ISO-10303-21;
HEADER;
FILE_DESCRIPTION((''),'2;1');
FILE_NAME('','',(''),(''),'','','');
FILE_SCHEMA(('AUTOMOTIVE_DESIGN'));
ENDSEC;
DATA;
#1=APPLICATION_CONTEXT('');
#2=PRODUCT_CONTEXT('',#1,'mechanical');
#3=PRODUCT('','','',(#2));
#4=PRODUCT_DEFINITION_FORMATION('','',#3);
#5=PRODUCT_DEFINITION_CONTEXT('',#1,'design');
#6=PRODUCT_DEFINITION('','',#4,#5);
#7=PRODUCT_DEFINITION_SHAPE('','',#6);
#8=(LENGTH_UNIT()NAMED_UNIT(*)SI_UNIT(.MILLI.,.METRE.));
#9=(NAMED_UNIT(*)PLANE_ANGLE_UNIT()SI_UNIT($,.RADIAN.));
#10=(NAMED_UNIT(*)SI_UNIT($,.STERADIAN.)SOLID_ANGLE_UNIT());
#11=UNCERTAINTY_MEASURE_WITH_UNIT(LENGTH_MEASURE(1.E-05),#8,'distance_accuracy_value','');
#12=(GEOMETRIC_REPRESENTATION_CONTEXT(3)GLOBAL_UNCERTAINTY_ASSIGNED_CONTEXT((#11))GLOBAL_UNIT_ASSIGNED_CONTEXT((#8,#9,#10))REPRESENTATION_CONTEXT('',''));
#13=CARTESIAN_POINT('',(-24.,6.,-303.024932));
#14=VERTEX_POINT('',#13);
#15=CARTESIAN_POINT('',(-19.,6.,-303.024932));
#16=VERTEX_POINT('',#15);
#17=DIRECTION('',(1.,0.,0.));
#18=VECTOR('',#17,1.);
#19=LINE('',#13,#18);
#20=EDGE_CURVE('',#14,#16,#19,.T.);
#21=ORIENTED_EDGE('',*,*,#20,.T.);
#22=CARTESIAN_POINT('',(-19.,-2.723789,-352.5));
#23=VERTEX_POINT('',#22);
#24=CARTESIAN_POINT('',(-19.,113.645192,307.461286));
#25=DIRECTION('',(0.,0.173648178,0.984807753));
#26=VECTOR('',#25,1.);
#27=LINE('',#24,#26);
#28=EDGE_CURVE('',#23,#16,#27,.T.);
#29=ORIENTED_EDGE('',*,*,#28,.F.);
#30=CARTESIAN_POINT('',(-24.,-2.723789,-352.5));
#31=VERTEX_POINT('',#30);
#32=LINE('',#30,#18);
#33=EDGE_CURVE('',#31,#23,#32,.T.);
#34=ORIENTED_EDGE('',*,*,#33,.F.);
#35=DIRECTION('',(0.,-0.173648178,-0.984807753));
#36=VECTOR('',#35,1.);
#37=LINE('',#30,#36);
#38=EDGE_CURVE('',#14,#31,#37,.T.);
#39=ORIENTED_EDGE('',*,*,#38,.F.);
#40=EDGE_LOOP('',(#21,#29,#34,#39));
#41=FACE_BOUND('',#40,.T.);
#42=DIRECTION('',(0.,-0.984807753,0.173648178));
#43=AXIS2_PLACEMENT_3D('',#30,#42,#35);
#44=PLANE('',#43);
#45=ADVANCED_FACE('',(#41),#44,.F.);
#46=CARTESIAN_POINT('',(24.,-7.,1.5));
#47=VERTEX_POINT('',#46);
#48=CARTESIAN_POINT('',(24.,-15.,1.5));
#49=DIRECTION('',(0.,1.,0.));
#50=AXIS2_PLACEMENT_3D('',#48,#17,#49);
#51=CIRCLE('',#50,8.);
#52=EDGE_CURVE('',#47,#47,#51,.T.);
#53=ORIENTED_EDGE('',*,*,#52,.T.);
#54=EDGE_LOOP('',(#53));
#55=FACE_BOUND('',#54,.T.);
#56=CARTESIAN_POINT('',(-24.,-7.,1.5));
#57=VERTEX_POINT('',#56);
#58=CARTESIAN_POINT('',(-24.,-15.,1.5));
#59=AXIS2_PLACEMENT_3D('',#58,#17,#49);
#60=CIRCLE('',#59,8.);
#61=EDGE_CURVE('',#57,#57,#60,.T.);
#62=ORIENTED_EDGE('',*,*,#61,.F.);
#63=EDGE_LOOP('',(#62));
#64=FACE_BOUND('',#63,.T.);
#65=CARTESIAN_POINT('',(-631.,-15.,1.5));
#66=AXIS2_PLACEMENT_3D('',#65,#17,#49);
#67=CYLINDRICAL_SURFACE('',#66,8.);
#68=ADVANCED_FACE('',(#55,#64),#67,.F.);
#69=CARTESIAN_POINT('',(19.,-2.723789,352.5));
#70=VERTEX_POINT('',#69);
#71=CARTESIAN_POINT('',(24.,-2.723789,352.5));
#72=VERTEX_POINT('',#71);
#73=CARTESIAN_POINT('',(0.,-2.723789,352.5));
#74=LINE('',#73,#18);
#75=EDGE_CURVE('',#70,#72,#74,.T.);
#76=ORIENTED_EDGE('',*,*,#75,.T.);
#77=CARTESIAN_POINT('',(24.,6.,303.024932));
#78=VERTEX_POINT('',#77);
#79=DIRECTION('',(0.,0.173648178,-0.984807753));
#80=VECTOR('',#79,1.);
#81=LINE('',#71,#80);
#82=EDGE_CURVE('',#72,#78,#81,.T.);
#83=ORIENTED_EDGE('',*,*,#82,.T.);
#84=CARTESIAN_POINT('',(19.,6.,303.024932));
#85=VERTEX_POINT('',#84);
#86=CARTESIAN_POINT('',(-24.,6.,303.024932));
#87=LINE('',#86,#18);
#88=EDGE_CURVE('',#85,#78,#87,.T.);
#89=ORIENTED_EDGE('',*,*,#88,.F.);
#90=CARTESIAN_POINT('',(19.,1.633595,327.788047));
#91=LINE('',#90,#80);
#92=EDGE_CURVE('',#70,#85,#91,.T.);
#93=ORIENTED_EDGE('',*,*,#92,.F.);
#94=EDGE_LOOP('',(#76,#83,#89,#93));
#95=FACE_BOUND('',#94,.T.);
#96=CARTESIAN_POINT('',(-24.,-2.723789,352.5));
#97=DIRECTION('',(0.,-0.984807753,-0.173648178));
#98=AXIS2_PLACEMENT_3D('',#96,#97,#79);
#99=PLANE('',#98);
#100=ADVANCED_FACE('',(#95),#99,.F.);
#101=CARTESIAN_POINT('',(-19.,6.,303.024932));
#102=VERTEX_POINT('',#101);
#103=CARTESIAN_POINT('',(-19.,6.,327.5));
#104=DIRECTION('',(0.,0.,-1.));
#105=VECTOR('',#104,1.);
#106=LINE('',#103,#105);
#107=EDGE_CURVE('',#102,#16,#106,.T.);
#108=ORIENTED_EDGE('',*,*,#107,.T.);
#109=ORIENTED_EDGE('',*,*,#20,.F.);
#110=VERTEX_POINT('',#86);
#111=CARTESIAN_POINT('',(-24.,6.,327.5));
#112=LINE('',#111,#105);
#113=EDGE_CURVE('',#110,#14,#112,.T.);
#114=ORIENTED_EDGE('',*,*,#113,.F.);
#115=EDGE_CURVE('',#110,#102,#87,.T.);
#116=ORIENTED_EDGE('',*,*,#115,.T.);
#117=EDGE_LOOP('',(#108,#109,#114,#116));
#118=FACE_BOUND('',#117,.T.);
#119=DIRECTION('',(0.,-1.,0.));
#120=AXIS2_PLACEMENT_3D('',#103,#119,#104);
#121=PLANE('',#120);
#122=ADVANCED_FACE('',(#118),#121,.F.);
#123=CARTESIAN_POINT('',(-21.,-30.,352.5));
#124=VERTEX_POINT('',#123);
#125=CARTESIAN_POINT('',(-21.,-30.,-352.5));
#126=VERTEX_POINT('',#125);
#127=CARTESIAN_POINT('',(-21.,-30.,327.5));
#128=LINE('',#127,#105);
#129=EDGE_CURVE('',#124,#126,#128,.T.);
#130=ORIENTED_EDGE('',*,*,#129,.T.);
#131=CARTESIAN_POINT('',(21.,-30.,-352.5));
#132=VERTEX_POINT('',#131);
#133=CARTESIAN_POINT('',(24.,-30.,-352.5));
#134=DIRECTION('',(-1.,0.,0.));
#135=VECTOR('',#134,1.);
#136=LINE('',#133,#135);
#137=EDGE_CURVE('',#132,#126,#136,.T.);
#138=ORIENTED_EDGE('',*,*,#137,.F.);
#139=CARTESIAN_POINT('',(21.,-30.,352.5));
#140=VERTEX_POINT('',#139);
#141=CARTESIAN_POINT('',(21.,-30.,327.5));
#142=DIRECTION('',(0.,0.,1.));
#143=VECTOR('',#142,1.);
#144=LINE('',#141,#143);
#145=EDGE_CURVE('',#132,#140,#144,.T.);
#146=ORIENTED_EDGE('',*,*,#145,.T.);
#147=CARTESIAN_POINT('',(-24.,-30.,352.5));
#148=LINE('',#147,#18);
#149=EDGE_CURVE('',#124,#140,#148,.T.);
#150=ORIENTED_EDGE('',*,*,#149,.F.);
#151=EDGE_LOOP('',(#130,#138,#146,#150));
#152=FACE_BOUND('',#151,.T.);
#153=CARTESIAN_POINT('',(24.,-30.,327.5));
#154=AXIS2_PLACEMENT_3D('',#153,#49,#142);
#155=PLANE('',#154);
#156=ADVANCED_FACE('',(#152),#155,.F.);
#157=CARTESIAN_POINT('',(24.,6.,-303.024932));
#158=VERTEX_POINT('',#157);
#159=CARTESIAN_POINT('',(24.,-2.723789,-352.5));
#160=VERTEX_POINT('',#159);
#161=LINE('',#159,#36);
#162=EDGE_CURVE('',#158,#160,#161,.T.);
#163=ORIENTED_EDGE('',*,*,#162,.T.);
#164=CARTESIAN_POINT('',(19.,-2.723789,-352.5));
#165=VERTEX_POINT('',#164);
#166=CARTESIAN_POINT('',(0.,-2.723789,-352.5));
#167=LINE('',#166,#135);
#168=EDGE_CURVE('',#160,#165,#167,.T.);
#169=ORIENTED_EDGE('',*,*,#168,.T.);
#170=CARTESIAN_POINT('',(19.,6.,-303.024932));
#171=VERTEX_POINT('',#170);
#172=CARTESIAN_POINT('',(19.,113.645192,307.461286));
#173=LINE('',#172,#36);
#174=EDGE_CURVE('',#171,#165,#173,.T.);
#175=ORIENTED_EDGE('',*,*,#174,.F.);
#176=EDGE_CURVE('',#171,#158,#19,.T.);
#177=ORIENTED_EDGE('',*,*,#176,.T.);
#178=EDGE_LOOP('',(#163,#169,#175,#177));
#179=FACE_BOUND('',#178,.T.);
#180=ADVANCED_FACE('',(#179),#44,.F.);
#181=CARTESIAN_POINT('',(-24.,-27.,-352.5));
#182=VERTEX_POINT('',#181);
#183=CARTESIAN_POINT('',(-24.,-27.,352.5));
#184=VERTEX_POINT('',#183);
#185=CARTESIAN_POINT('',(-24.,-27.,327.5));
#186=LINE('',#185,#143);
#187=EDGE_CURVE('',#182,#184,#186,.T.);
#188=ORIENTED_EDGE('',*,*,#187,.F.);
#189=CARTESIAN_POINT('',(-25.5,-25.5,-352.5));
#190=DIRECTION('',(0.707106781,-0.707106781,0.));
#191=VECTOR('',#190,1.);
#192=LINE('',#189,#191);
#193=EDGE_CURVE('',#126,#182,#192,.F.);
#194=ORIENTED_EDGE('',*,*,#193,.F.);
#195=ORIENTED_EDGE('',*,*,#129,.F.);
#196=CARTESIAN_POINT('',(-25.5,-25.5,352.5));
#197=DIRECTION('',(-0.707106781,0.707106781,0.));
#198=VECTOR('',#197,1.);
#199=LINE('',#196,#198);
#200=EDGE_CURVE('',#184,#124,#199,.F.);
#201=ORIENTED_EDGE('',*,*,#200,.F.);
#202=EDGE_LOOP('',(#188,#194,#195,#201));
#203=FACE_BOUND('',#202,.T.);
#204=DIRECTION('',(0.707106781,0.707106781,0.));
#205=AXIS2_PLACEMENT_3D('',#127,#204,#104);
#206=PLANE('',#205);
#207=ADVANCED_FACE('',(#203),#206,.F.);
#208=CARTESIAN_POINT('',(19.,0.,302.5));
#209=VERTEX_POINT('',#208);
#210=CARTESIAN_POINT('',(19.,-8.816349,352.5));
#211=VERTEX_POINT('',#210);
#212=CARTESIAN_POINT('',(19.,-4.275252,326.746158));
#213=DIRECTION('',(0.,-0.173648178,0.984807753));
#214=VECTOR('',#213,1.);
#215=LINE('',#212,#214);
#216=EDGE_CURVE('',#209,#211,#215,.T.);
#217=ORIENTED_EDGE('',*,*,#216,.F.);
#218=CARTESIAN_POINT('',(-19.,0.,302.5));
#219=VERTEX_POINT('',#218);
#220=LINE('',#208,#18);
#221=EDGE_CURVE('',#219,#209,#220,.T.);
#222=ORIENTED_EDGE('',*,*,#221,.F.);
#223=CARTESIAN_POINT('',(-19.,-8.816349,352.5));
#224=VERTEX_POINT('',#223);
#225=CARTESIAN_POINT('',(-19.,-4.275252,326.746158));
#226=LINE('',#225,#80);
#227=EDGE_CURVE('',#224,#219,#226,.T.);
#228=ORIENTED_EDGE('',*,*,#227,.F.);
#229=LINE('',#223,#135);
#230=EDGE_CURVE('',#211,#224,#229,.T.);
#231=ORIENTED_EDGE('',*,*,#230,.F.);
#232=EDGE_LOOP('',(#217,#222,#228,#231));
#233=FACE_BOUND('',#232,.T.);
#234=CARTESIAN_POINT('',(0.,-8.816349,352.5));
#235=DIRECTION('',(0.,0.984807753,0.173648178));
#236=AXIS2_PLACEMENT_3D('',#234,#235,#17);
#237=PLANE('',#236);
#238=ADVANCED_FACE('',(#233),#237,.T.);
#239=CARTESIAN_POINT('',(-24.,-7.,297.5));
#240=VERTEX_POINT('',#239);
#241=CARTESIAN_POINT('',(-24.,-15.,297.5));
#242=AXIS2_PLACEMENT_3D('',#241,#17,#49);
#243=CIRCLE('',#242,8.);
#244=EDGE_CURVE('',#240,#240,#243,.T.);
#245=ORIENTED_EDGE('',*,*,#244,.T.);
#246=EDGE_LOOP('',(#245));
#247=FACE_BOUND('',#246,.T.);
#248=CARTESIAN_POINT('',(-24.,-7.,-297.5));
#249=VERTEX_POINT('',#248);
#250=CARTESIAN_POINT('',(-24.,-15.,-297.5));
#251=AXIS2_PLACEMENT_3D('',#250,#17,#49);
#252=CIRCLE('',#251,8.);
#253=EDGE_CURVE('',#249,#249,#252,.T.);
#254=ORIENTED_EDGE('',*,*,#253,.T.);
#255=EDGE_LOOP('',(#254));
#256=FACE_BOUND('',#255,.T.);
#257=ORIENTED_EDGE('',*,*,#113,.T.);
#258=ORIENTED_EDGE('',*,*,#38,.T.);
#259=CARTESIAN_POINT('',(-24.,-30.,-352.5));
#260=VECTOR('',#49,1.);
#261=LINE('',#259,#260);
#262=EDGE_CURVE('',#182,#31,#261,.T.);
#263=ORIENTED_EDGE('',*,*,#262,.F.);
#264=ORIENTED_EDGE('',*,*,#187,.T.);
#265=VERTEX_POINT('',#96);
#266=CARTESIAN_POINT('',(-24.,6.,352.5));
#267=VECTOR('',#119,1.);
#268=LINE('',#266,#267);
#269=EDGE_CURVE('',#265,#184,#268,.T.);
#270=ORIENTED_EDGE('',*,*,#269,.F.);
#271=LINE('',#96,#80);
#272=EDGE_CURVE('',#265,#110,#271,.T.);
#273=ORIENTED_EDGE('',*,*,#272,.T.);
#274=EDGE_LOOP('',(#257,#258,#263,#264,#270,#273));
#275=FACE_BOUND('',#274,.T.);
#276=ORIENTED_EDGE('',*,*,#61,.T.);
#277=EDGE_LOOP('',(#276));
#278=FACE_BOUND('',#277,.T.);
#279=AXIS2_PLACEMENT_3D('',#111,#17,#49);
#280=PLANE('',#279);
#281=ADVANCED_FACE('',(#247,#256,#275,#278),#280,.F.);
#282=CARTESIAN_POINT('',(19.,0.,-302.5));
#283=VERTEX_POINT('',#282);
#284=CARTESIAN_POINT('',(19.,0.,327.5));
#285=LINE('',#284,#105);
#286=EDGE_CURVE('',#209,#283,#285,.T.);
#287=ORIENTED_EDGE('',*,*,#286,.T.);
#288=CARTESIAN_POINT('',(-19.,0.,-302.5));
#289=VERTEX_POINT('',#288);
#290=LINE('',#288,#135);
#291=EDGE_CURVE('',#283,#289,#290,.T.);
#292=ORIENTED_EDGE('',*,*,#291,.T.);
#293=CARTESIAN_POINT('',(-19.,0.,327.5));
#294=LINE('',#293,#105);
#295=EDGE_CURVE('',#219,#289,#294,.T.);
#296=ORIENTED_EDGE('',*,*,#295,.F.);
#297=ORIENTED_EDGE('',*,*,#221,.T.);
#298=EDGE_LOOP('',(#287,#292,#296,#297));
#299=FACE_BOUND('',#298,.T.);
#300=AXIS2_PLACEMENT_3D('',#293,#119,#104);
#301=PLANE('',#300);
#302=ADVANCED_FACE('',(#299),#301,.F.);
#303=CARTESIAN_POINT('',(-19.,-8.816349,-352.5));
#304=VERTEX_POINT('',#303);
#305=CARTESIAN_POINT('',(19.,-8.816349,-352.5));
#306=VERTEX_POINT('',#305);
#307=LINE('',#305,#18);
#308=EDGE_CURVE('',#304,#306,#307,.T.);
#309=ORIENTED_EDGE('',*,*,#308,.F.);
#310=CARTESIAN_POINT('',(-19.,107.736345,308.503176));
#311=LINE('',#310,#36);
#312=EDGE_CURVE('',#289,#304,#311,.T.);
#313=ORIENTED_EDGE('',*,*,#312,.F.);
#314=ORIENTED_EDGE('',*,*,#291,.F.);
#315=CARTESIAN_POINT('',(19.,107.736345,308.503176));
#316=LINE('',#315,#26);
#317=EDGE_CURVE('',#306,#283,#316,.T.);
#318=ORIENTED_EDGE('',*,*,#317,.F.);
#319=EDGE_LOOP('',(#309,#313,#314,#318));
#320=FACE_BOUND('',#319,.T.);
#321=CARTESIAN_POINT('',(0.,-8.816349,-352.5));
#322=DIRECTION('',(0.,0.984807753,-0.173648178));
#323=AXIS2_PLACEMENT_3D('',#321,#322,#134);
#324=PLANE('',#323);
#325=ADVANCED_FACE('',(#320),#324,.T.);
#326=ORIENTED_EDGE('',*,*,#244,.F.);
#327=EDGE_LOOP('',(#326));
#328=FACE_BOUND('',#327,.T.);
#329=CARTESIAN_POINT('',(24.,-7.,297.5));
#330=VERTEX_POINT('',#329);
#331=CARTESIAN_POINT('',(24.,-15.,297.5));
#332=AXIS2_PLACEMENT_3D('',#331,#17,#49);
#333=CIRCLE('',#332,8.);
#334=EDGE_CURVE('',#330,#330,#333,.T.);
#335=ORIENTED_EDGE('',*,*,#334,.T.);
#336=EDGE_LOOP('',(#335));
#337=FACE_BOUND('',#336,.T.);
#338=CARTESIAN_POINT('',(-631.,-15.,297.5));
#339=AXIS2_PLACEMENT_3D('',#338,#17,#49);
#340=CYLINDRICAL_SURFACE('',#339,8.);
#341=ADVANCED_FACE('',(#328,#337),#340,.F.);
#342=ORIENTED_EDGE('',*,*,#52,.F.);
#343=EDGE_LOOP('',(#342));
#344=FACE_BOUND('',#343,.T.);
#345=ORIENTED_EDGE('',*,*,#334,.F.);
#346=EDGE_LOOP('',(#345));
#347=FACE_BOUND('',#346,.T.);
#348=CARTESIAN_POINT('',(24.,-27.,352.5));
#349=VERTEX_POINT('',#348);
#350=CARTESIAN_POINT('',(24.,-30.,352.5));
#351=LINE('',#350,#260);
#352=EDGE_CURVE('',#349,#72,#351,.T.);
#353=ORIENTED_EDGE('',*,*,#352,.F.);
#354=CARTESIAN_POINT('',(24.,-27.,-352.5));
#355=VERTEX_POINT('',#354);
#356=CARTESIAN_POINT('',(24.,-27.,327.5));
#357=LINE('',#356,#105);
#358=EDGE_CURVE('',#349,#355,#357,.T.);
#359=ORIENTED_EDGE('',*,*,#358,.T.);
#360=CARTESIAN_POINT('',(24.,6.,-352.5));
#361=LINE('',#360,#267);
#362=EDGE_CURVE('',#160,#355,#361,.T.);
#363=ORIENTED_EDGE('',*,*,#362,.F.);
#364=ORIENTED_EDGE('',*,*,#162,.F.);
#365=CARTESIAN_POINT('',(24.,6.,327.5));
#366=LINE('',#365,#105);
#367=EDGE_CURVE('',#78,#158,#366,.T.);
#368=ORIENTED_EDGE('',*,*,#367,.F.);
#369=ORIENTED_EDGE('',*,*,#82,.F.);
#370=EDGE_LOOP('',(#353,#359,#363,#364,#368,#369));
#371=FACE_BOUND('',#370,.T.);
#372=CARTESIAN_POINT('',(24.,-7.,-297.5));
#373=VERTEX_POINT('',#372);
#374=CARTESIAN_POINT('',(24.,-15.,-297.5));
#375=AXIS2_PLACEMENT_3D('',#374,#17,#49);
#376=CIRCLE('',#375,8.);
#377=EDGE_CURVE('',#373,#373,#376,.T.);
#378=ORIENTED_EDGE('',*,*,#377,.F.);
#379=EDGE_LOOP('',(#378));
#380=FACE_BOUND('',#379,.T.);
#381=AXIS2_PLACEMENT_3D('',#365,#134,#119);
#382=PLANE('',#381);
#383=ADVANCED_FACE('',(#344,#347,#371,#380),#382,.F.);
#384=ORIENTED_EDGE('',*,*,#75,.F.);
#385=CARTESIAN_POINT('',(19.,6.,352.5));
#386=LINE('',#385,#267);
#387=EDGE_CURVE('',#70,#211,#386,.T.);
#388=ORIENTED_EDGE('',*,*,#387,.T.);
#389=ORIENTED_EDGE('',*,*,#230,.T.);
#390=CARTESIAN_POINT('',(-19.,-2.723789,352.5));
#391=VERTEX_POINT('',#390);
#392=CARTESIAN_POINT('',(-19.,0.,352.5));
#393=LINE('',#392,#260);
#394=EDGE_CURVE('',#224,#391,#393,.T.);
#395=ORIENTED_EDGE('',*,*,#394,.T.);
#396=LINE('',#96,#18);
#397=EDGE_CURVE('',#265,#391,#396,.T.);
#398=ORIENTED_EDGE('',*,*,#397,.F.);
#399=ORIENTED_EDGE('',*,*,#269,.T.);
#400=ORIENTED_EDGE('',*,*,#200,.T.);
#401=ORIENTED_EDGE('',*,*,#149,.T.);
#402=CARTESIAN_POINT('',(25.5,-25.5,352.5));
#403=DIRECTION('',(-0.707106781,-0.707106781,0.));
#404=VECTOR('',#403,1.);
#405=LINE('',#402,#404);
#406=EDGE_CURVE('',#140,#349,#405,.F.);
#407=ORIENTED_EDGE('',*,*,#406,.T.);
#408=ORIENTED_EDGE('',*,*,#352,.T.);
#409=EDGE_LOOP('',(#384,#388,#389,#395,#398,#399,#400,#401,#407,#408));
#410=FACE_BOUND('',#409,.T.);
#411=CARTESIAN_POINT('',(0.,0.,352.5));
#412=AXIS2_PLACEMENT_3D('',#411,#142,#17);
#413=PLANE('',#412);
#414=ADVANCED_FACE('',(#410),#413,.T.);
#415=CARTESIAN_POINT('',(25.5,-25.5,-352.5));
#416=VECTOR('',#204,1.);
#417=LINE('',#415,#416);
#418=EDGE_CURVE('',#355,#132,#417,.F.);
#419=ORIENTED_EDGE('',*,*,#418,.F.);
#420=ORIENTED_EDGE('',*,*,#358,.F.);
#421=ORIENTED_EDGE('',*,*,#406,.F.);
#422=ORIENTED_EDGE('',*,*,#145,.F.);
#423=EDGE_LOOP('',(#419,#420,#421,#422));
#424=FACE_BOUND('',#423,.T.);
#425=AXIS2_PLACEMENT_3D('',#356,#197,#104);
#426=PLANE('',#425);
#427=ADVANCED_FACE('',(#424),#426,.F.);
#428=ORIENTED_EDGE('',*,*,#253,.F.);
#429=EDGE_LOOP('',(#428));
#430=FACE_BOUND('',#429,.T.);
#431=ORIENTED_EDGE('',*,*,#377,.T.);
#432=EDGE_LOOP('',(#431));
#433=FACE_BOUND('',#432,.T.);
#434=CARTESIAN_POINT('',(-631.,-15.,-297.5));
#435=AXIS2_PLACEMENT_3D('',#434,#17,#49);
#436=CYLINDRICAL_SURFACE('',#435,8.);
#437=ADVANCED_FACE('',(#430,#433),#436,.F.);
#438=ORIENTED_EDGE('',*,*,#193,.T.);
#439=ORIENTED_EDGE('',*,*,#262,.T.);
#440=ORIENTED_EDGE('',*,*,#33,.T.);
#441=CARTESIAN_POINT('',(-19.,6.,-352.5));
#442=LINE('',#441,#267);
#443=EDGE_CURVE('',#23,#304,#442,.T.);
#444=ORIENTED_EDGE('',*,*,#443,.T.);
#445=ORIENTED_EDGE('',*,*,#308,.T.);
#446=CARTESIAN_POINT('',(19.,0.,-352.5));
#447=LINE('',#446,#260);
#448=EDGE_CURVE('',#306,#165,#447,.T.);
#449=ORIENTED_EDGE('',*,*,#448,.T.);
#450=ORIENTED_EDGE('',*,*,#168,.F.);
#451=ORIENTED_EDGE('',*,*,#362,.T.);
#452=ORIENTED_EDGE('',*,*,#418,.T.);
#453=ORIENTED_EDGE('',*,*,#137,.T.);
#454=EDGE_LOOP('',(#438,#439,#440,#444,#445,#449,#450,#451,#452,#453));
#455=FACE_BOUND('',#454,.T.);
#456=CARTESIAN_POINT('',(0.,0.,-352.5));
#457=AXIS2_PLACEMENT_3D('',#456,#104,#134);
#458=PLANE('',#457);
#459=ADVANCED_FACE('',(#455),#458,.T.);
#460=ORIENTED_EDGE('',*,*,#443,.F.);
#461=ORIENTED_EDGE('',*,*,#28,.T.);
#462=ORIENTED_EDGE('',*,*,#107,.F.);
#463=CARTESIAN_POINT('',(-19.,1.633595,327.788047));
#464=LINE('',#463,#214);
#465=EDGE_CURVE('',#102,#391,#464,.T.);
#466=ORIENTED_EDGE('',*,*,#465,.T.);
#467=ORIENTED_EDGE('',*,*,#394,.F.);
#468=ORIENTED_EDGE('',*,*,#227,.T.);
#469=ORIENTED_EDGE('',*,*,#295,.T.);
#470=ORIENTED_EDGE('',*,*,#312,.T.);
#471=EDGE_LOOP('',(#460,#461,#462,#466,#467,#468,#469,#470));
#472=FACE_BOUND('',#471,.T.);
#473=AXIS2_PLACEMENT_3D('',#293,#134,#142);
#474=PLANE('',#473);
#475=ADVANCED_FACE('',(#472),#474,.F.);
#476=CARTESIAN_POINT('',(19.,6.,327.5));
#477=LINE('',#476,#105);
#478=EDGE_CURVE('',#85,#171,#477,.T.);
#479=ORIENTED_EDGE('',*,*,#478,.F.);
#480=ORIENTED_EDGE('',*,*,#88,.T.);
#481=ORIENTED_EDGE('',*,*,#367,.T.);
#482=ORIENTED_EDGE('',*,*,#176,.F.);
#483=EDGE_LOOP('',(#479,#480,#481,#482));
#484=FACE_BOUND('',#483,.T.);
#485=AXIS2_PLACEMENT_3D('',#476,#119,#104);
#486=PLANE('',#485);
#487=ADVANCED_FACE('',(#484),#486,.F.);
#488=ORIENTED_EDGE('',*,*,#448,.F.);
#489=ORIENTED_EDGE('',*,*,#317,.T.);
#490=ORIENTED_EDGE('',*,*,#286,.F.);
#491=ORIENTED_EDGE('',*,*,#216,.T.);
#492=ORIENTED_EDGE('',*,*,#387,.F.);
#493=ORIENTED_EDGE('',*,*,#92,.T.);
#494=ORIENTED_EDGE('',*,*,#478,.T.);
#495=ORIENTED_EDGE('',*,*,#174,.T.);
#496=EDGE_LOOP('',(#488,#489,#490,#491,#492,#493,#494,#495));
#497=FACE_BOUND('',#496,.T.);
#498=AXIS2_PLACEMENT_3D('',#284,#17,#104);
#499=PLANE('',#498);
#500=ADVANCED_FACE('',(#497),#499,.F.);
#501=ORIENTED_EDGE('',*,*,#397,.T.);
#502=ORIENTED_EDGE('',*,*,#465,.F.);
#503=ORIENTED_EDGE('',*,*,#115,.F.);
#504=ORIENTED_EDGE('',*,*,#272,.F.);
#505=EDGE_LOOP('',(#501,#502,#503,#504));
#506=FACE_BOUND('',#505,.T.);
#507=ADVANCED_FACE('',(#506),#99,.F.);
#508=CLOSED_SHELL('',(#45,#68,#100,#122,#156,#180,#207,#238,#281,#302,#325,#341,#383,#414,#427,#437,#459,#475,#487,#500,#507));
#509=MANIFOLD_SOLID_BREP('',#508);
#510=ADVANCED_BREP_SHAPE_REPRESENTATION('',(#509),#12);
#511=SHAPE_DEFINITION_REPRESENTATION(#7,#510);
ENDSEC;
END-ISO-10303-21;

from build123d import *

# Parameters (mm, degrees)
RESSALTO_EXTRUS_O1_DEPTH = 327.5
ESBO_O2_R                = 8
CORTE_EXTRUS_O1_DEPTH    = 655
RESSALTO_EXTRUS_O2_DEPTH = 25
RESSALTO_EXTRUS_O3_DEPTH = 25
CHANFRO1_SIZE            = 50
CHANFRO1_SIZE2           = 8.816349035
CORTE_EXTRUS_O2_START    = -48
CORTE_EXTRUS_O2_DEPTH    = 48
CHANFRO2_SIZE            = 3


with BuildPart() as part:
    # Esboço1 → Ressalto-extrusão1 (new, symmetric)
    with BuildSketch(Plane.XY):
        Polygon((-19, 0), (19, 0), (19, 6), (24, 6), (24, -30), (-24, -30), (-24, 6), (-19, 6), align=None)
    extrude(amount=RESSALTO_EXTRUS_O1_DEPTH, both=True)

    # Esboço2 → Corte-extrusão1 (cut)
    with BuildSketch(Plane(origin=(24, 0, 0), x_dir=(0, 0, -1), z_dir=(1, 0, 0))):
        with Locations(Location((-297.5, -15, 0), (0, 0, 90))):
            Circle(ESBO_O2_R)
        with Locations(Location((297.5, -15, 0), (0, 0, 90))):
            Circle(ESBO_O2_R)
        with Locations(Location((-1.5, -15, 0), (0, 0, 90))):
            Circle(ESBO_O2_R)
    extrude(amount=-CORTE_EXTRUS_O1_DEPTH, mode=Mode.SUBTRACT)

    # Esboço3 → Ressalto-extrusão2 (add)
    with BuildSketch(Plane.XY.offset(327.5)):
        Polygon((-24, 6), (-24, -30), (24, -30), (24, 6), (19, 6), (19, 0), (-19, 0), (-19, 6), align=None)
    extrude(amount=RESSALTO_EXTRUS_O2_DEPTH)

    # Esboço4 → Ressalto-extrusão3 (add)
    with BuildSketch(Plane(origin=(0, 0, -327.5), x_dir=(-1, 0, 0), z_dir=(0, 0, -1))):
        Polygon((24, -30), (24, 6), (19, 6), (19, 0), (-19, 0), (-19, 6), (-24, 6), (-24, -30), align=None)
    extrude(amount=RESSALTO_EXTRUS_O3_DEPTH)

    # Chanfro1
    chanfro1_edges = [part.edges().sort_by_distance(p)[0] for p in [
        (0, 0, 352.5),
        (0, 0, -352.5),
    ]]
    chanfro1_side = [part.faces().sort_by_distance(p)[0] for p in [
        (0, 0, 0),
    ]]
    chamfer(chanfro1_edges, length=CHANFRO1_SIZE, length2=CHANFRO1_SIZE2, reference=chanfro1_side[0])

    # Esboço5 → Corte-extrusão2 (cut)
    with BuildSketch(Plane(origin=(24, 0, 0), x_dir=(0, 0, -1), z_dir=(1, 0, 0)).offset(CORTE_EXTRUS_O2_START)):
        Polygon((-352.5, -2.723789364), (-303.024931981, 6), (-352.5, 6), align=None)
        Polygon((352.5, 6), (352.5, -2.723789364), (303.024931981, 6), align=None)
    extrude(amount=CORTE_EXTRUS_O2_DEPTH, mode=Mode.SUBTRACT)

    # Chanfro2
    chanfro2_edges = [part.edges().sort_by_distance(p)[0] for p in [
        (24, -30, 0),
        (-24, -30, 0),
    ]]
    chamfer(chanfro2_edges, length=CHANFRO2_SIZE)


solid = part.part
